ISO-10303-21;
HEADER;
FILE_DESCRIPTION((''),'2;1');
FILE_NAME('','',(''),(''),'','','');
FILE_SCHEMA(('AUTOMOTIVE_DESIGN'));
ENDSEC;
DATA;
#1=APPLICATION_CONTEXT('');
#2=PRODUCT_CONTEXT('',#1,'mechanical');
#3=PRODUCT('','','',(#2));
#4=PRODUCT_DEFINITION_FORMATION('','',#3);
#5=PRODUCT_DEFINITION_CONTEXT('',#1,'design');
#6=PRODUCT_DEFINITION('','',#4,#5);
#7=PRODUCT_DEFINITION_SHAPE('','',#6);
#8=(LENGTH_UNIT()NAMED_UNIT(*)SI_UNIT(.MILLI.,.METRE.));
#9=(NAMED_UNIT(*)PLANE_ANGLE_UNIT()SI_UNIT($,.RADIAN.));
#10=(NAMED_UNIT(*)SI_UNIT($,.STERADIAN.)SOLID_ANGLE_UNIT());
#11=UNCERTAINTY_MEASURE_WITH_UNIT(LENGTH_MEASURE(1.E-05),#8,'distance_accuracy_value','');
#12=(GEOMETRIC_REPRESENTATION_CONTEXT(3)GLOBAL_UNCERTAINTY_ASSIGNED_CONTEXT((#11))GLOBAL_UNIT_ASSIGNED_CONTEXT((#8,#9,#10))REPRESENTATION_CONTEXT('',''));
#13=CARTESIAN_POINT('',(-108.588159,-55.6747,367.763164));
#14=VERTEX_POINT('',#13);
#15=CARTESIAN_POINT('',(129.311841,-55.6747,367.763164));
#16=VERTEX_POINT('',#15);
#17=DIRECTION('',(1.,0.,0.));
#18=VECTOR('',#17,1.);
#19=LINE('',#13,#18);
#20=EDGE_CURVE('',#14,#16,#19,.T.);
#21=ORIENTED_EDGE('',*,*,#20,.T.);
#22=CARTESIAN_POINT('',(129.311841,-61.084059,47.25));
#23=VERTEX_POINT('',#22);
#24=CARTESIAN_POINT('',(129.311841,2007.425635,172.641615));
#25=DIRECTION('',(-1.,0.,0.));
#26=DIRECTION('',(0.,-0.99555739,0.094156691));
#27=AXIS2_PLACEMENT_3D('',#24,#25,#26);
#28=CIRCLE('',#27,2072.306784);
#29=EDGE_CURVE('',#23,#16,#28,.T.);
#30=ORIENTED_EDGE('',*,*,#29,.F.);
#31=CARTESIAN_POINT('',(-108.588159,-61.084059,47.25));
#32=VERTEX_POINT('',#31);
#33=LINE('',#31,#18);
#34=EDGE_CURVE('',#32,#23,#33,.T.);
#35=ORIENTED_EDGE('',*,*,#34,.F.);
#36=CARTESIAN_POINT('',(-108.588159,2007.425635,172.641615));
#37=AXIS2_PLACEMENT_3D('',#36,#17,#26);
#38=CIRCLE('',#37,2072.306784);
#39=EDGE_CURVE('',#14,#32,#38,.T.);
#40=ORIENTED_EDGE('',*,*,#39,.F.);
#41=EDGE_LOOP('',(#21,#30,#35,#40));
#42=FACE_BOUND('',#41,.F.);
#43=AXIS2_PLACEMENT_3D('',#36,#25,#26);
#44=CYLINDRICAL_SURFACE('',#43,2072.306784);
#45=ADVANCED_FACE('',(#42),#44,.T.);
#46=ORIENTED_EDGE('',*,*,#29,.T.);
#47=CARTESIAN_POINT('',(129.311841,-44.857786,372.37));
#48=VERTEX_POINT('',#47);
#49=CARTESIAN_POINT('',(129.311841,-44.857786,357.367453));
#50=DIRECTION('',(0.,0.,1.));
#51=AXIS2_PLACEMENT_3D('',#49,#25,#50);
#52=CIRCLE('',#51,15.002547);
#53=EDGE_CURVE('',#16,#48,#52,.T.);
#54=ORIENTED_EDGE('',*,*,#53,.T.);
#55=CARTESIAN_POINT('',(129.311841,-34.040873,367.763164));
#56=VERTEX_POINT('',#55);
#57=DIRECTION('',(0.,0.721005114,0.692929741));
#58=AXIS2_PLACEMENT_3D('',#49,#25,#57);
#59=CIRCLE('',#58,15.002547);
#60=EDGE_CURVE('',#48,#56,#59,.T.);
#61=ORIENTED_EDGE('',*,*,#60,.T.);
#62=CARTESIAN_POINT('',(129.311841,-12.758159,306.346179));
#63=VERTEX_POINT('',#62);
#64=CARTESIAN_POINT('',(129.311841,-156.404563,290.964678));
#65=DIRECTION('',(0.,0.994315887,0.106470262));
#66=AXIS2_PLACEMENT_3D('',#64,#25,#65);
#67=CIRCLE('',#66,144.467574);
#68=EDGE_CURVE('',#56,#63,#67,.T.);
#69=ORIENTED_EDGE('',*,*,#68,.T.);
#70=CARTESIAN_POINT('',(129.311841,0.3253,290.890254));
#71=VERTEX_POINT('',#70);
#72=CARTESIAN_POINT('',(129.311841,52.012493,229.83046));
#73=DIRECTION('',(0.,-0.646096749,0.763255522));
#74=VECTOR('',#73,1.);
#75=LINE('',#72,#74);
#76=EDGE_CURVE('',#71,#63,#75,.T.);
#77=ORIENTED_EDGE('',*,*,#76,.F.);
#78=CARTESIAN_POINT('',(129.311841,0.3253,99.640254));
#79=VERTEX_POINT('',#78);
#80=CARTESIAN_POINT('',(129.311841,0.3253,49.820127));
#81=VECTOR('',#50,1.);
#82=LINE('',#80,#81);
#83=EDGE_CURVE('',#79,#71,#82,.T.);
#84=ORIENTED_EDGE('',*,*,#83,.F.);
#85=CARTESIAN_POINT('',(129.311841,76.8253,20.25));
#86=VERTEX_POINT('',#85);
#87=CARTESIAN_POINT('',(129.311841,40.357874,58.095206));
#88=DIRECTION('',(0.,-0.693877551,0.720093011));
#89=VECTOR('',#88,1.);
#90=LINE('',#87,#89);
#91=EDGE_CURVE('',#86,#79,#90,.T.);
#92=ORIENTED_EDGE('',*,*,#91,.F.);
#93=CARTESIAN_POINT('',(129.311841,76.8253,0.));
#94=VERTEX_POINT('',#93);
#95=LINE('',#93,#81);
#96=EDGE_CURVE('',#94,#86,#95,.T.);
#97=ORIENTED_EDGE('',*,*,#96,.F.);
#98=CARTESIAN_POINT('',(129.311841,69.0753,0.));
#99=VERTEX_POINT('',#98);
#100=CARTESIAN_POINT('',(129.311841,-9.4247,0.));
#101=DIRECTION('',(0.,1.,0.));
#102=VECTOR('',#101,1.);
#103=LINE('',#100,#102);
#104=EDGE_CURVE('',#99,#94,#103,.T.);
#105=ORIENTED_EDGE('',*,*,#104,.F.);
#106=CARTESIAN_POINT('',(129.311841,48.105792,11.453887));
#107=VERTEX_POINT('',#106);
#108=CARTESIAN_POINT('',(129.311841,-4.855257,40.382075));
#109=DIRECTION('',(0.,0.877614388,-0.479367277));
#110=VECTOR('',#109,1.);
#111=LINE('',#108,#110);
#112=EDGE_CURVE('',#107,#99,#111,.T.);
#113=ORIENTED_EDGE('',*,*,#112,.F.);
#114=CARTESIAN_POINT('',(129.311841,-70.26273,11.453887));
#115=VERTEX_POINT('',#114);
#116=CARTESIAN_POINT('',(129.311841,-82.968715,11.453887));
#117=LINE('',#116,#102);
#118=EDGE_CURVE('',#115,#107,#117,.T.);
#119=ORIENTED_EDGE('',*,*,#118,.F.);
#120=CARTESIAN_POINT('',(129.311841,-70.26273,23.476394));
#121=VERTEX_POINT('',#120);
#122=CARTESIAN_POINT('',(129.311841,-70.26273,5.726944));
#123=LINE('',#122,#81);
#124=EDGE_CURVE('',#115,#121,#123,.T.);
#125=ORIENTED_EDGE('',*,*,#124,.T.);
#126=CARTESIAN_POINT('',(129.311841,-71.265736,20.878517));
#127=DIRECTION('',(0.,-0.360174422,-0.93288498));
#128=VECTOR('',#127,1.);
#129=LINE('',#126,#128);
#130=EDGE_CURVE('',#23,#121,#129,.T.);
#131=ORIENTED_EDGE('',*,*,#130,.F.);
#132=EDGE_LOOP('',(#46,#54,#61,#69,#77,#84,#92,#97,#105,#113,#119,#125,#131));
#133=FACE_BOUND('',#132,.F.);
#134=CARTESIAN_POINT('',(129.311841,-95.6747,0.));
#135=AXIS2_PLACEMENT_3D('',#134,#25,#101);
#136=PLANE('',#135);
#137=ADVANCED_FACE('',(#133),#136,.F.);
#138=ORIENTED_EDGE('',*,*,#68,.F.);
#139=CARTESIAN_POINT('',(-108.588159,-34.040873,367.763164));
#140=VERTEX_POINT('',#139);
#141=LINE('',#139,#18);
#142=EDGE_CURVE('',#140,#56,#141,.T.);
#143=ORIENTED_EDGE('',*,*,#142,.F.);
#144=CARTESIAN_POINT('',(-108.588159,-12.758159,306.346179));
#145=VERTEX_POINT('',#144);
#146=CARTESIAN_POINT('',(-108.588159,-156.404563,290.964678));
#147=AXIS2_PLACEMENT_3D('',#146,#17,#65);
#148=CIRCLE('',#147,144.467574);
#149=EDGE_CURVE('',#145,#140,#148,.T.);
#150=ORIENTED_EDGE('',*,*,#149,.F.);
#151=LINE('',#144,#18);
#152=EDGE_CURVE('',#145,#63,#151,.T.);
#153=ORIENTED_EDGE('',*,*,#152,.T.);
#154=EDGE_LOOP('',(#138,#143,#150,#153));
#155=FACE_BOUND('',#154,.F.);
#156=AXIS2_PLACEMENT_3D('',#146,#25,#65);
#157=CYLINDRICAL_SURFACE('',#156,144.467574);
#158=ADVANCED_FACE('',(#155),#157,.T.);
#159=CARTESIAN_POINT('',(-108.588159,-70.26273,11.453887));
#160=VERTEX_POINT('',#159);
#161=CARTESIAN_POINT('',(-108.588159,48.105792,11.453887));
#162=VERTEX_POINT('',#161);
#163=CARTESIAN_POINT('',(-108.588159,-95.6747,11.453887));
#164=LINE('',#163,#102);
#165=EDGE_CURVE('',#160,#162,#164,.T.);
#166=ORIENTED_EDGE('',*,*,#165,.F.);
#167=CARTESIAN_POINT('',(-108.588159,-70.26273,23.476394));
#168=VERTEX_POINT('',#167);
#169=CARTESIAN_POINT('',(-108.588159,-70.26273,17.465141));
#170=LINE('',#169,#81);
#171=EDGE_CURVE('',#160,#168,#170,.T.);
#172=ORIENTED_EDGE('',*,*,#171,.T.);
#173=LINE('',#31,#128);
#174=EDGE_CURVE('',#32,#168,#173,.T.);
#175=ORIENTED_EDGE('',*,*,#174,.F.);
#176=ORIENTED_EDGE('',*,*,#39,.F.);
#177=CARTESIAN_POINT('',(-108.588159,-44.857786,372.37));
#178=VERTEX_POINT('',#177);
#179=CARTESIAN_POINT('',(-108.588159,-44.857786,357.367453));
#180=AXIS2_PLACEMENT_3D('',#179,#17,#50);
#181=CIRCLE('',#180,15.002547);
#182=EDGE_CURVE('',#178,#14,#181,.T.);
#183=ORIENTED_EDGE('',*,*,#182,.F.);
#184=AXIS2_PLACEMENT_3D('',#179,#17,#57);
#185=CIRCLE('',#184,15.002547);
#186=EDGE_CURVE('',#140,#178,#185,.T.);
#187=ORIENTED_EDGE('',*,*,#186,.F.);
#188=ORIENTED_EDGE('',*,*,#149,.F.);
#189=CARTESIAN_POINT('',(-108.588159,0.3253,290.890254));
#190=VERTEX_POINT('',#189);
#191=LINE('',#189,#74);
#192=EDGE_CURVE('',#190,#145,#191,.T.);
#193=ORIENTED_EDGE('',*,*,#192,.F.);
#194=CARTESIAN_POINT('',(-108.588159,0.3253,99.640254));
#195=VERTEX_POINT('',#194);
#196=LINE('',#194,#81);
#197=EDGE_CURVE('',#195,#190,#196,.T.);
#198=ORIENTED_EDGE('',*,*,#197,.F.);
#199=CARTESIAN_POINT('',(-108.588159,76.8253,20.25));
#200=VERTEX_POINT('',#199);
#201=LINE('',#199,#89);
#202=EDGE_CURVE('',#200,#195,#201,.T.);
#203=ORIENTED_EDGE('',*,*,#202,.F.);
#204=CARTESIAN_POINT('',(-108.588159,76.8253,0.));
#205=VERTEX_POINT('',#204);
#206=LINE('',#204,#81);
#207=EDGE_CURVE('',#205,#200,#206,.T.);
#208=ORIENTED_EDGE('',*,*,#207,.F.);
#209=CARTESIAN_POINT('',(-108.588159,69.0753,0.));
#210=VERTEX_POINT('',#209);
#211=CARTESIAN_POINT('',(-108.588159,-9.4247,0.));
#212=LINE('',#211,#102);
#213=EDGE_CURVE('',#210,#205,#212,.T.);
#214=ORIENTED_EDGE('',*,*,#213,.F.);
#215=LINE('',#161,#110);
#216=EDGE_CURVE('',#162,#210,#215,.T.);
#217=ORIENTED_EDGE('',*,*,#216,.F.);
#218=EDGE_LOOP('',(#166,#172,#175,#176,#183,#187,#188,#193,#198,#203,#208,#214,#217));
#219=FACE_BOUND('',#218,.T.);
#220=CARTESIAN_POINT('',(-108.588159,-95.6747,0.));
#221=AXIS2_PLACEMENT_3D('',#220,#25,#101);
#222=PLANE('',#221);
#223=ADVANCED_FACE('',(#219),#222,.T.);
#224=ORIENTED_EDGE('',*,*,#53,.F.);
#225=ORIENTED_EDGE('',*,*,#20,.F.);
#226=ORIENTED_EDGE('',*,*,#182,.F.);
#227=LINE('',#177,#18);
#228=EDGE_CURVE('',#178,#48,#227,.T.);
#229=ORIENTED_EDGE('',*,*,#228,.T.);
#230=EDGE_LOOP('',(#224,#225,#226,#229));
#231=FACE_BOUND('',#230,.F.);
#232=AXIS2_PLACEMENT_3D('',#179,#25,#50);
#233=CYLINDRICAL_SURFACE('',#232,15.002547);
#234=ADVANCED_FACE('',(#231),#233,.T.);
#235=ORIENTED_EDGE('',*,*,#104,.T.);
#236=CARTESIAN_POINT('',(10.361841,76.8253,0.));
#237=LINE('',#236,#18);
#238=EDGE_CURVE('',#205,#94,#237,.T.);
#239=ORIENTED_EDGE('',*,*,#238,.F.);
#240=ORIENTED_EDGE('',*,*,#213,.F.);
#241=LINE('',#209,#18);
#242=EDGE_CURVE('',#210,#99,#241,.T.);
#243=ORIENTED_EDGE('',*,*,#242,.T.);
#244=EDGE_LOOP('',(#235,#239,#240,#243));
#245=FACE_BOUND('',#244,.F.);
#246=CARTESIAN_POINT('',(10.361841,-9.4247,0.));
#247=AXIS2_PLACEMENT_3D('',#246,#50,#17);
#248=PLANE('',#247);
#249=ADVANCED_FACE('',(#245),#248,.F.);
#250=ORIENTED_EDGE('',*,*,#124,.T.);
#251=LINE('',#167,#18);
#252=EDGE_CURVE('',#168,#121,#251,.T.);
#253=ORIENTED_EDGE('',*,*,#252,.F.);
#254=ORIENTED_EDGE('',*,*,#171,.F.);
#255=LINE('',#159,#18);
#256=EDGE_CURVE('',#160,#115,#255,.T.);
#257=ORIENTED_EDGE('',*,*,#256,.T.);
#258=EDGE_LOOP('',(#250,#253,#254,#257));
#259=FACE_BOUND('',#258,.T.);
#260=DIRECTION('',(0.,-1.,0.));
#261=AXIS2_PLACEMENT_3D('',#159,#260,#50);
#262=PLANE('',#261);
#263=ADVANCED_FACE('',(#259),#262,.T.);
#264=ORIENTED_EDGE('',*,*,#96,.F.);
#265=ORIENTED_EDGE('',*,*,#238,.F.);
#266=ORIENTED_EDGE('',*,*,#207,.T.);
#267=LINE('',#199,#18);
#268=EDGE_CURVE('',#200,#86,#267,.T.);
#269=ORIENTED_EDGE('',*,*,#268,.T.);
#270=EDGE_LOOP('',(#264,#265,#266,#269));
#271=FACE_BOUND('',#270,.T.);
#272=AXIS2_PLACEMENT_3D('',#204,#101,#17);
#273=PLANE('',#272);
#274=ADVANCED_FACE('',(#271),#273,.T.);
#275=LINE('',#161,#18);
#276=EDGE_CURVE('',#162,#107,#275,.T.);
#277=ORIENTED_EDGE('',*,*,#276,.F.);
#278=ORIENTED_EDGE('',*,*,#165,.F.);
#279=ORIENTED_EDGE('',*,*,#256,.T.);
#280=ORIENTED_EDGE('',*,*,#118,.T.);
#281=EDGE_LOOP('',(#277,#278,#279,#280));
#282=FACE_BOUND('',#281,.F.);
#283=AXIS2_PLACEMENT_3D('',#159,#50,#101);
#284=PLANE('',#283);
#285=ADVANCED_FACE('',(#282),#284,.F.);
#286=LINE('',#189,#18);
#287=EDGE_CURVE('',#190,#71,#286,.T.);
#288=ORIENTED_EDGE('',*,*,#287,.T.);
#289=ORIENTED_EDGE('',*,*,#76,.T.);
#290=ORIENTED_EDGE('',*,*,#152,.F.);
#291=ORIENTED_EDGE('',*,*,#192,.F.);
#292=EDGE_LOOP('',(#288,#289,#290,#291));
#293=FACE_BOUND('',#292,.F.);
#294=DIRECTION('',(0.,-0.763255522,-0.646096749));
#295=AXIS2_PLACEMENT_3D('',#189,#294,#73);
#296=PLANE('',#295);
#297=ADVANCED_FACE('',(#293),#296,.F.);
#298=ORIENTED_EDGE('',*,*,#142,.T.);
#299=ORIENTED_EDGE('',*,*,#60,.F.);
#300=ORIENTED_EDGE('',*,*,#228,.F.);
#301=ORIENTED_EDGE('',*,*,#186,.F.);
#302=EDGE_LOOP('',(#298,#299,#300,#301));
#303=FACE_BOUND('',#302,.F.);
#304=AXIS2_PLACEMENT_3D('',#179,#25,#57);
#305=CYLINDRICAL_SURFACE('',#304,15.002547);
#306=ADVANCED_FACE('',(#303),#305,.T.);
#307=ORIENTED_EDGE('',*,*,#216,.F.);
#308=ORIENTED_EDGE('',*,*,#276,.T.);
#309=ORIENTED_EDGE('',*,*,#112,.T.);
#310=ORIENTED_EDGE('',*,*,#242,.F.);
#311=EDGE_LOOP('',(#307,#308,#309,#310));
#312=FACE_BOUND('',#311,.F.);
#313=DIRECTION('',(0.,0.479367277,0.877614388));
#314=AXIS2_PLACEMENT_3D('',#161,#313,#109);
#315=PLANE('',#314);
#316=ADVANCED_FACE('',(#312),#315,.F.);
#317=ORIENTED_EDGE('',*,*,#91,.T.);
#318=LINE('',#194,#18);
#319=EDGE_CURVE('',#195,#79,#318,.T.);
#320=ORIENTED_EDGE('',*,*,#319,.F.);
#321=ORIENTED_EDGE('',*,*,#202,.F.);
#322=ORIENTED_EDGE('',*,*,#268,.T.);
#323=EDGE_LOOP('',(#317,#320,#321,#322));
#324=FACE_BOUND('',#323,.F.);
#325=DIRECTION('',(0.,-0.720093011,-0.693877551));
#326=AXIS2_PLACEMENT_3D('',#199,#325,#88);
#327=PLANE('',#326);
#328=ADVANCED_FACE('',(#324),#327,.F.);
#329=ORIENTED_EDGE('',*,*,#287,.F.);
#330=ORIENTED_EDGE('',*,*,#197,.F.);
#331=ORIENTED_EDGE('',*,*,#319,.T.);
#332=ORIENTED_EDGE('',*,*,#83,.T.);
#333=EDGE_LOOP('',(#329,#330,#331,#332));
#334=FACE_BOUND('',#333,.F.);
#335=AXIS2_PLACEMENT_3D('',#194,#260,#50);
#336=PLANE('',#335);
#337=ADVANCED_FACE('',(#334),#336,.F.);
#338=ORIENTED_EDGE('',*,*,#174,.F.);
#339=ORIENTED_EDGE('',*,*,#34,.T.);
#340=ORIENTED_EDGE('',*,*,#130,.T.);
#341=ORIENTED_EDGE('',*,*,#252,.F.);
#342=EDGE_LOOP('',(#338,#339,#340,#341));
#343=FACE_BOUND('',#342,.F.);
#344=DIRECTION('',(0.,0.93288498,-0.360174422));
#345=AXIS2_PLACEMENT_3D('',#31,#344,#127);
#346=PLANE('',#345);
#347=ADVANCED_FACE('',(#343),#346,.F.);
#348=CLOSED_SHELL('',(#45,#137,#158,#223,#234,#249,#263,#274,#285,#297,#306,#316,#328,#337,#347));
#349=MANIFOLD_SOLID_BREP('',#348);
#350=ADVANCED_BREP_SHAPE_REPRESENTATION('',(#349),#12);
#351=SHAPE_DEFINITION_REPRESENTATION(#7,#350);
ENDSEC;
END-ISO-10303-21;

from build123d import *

# Parameters (mm, degrees)
F0_W     = 237.9
F0_H     = 172.5
F1_DEPTH = 372.37
F2_W     = 25.4119695179
F2_H     = 12.0225070381
F3_DEPTH = 10000


with BuildPart() as f1:
    # F0 (on Top) → F1 (new body)
    with BuildSketch(Plane.XY):
        with Locations((10.3618409485, -9.4246996395)):
            Rectangle(F0_W, F0_H)
    extrude(amount=F1_DEPTH)

    # F2 (on face) → F3 (cut)
    with BuildSketch(Plane(origin=(-108.5881590515, 0, 0), x_dir=(0, -1, 0), z_dir=(-1, 0, 0))):
        Polygon((-48.1057920037, 11.4538870962), (-69.0753003605, 0), (95.6746996395, 0), (95.6746996395, 11.4538870962), (70.2627301216, 11.4538870962), align=None)
        with BuildLine():
            Line((-76.8253003605, 372.37), (-76.8253003605, 20.25))
            Line((-76.8253003605, 20.25), (-0.3253003605, 99.6402544397))
            Line((-0.3253003605, 99.6402544397), (-0.3253003605, 270.6402544397))
            Line((-0.3253003605, 270.6402544397), (-0.3253003605, 290.8902544397))
            Line((-0.3253003605, 290.8902544397), (12.7581588021, 306.3461787518))
            ThreePointArc((12.7581588021, 306.3461787518), (19.9005189161, 338.2671723305), (34.0408731478, 367.7631639438))
            ThreePointArc((34.0408731478, 367.7631639438), (38.9792544635, 371.1703251387), (44.8577863937, 372.37))
            Line((44.8577863937, 372.37), (-76.8253003605, 372.37))
        make_face()
        with BuildLine():
            Line((95.6746996395, 372.37), (44.8577863937, 372.37))
            ThreePointArc((44.8577863937, 372.37), (50.7363183238, 371.1703251387), (55.6746996395, 367.7631639438))
            ThreePointArc((55.6746996395, 367.7631639438), (64.5860755247, 207.6113335166), (61.0840586575, 47.25))
            Line((61.0840586575, 47.25), (70.2627301216, 23.4763941343))
            Line((70.2627301216, 23.4763941343), (95.6746996395, 23.4763941343))
            Line((95.6746996395, 23.4763941343), (95.6746996395, 372.37))
        make_face()
        with Locations((82.9687148806, 17.4651406152)):
            Rectangle(F2_W, F2_H)
    extrude(amount=-F3_DEPTH, mode=Mode.SUBTRACT)


solid = f1.part
